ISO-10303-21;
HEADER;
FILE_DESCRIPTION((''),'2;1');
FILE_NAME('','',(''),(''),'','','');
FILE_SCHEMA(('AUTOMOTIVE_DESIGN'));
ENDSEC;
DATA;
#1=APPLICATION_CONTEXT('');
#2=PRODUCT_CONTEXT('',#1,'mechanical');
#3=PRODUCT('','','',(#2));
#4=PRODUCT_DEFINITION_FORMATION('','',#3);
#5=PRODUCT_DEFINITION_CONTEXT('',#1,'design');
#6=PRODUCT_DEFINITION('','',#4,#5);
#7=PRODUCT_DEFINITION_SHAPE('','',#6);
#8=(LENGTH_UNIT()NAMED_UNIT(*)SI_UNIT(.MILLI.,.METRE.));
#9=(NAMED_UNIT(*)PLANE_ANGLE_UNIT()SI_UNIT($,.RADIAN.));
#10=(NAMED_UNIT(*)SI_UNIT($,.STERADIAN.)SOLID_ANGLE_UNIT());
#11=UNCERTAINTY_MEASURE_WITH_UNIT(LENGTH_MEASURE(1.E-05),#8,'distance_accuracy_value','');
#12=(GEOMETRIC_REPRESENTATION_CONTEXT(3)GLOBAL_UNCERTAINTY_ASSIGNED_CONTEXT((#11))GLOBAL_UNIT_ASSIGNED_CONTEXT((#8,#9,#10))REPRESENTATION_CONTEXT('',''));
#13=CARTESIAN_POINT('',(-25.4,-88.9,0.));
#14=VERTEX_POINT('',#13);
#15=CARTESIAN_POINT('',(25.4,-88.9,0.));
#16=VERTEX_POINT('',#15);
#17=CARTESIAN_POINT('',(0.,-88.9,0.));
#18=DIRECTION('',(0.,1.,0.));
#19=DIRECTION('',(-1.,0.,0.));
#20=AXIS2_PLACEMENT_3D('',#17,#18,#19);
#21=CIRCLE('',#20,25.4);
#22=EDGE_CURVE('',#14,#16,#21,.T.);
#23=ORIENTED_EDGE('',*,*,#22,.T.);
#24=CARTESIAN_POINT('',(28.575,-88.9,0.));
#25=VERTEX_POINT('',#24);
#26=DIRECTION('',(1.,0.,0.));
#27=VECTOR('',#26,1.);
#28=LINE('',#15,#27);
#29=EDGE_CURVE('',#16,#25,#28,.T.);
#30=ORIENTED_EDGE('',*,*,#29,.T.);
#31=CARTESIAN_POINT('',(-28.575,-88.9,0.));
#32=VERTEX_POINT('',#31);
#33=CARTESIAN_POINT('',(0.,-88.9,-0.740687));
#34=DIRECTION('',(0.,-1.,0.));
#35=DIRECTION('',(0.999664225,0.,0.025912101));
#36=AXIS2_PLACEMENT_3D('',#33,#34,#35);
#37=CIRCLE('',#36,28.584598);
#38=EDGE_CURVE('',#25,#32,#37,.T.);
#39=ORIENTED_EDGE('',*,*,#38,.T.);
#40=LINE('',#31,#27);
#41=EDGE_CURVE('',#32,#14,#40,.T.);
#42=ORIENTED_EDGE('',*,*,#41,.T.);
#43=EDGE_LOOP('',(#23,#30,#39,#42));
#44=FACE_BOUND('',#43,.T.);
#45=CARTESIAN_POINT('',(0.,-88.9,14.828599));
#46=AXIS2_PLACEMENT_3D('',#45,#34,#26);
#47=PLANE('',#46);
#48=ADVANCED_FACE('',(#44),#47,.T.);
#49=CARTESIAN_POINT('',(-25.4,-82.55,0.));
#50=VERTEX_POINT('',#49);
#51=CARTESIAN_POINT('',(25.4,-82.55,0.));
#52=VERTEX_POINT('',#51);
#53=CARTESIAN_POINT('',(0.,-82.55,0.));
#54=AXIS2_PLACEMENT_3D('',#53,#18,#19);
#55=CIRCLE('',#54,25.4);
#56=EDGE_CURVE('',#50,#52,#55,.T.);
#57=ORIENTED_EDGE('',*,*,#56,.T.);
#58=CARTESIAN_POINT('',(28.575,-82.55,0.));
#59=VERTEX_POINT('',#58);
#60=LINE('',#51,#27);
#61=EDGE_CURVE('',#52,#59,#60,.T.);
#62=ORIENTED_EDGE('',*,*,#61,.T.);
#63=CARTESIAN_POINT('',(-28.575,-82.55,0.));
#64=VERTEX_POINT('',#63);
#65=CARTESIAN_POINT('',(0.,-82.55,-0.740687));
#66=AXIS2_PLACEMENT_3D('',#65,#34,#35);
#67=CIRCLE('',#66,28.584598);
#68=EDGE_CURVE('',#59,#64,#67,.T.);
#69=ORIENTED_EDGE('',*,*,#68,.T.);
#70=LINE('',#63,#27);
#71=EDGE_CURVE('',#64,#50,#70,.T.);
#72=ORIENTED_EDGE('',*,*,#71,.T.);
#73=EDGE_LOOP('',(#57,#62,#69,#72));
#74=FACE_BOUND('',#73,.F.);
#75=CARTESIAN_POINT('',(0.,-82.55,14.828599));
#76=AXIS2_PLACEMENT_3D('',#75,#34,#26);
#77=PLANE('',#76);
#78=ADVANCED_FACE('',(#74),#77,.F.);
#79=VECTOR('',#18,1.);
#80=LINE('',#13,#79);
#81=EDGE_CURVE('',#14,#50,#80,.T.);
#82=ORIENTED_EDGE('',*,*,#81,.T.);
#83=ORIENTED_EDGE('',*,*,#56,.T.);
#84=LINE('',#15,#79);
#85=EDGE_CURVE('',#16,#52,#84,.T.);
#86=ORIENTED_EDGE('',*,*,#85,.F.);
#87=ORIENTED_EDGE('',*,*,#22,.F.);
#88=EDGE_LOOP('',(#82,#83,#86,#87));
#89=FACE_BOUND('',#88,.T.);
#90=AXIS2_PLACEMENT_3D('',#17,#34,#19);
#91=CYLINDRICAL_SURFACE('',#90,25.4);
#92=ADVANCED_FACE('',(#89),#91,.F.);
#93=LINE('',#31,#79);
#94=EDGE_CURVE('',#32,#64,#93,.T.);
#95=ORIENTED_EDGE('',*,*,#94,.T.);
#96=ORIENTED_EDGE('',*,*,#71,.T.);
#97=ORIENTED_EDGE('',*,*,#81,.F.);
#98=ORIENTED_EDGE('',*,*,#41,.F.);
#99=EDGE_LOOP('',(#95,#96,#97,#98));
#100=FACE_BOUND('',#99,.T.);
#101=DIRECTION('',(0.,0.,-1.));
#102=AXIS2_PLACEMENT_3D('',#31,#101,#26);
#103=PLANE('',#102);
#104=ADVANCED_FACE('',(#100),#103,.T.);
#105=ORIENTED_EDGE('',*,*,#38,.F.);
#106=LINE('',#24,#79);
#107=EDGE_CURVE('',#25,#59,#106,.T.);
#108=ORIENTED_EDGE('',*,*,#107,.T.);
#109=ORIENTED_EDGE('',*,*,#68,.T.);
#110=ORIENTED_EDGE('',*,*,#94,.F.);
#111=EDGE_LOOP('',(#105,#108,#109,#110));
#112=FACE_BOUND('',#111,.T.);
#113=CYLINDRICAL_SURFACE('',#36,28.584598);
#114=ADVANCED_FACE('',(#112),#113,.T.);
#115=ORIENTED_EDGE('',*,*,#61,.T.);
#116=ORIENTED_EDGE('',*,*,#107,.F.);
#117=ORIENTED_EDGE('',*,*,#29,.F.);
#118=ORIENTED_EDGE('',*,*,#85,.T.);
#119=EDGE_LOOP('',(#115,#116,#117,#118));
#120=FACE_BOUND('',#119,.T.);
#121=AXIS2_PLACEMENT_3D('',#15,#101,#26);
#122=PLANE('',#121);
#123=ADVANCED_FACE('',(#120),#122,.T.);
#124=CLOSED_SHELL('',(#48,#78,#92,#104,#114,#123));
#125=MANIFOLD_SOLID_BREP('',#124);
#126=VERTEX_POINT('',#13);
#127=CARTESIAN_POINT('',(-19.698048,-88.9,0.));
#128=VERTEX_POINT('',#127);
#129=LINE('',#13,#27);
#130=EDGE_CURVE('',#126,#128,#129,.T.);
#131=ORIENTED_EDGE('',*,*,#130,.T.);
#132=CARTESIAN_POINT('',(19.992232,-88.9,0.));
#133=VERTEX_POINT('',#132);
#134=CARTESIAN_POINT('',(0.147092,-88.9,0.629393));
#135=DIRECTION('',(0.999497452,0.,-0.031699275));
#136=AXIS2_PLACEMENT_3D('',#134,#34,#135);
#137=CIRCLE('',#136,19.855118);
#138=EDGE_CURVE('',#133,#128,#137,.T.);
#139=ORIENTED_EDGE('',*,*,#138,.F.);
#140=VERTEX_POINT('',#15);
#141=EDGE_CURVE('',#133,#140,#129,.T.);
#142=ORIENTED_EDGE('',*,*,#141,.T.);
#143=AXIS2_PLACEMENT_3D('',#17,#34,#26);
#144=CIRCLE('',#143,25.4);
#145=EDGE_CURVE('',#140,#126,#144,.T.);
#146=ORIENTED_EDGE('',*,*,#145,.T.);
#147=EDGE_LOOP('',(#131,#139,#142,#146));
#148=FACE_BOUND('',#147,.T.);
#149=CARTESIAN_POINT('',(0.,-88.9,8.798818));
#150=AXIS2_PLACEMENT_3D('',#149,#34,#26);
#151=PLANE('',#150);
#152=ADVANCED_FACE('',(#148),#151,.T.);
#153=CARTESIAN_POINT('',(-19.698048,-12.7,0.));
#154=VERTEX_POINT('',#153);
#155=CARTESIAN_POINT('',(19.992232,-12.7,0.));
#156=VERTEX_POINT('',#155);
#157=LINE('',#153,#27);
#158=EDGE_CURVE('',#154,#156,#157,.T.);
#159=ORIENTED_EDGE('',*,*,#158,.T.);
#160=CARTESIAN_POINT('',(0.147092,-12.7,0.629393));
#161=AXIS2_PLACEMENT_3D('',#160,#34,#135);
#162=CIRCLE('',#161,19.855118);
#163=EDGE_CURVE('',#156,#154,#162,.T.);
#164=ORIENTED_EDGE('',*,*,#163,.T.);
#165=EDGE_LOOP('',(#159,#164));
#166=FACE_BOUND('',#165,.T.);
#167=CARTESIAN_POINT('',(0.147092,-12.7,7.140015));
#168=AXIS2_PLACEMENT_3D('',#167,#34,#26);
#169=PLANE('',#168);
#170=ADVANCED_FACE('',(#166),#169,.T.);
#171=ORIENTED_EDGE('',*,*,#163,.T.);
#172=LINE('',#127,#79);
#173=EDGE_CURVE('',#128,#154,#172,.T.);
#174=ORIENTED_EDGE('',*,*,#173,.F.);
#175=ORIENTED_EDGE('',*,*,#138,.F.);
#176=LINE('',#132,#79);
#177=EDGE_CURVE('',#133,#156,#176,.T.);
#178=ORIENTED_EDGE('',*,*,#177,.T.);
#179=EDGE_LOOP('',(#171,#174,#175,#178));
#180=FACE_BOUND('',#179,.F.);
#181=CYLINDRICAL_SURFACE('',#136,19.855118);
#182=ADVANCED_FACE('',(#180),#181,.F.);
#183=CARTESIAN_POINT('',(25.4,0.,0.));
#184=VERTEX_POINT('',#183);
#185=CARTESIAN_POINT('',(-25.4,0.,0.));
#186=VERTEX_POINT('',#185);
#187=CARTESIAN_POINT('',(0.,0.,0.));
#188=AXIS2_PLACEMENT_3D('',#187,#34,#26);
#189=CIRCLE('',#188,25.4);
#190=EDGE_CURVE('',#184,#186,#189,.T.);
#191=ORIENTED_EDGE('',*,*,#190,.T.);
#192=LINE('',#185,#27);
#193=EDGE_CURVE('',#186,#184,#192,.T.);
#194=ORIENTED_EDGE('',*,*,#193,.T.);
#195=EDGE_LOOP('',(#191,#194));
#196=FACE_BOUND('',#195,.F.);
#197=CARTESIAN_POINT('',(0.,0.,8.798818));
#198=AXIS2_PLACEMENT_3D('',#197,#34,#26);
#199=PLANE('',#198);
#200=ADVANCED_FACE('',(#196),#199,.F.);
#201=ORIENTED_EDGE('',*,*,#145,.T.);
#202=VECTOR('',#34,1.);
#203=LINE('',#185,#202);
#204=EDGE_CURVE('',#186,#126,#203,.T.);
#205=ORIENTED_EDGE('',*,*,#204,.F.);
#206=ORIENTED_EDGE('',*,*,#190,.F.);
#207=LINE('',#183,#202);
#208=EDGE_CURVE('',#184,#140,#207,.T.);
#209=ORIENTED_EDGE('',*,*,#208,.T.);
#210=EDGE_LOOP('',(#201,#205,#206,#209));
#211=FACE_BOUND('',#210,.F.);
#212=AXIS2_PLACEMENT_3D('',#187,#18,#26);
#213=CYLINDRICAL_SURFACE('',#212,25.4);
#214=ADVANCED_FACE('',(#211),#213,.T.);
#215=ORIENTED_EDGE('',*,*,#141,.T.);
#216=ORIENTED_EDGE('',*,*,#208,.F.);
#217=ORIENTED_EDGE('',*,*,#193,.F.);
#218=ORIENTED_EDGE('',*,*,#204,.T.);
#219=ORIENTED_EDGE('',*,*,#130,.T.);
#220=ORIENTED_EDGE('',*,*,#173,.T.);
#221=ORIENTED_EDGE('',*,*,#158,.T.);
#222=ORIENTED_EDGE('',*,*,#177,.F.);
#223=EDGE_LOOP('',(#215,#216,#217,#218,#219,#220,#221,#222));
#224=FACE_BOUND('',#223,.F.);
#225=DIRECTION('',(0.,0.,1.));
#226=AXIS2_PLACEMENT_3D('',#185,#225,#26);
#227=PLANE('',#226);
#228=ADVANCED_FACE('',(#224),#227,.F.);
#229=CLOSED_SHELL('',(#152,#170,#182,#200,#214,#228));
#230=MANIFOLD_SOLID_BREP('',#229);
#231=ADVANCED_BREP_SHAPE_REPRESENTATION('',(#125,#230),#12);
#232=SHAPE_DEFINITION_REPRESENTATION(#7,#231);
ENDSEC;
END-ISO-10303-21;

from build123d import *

# Parameters (mm, degrees)
F1_DEPTH = 88.9
F3_DEPTH = 6.35
F5_DEPTH = 76.2


with BuildPart() as f1:
    # F0 (on Front) → F1 (new body)
    with BuildSketch(Plane.XZ):
        with BuildLine():
            Line((-25.4, 0), (25.4, 0))
            ThreePointArc((25.4, 0), (0, 25.4), (-25.4, 0))
        make_face()
    extrude(amount=F1_DEPTH)

    # F4 (on face) → F5 (cut)
    with BuildSketch(Plane.XZ.offset(88.9)):
        with BuildLine():
            Line((-19.698048, 0), (19.992232, 0))
            ThreePointArc((19.992232, 0), (0.147092, 20.484511), (-19.698048, 0))
        make_face()
    extrude(amount=-F5_DEPTH, mode=Mode.SUBTRACT)


with BuildPart() as f3:
    # F2 (on face) → F3 (new body)
    with BuildSketch(Plane.XZ.offset(88.9)):
        with BuildLine():
            ThreePointArc((-25.4, 0), (0, 25.4), (25.4, 0))
            Line((25.4, 0), (28.575, 0))
            ThreePointArc((28.575, 0), (0, 27.843911), (-28.575, 0))
            Line((-28.575, 0), (-25.4, 0))
        make_face()
    extrude(amount=-F3_DEPTH)


solid = Compound([f1.part, f3.part])
